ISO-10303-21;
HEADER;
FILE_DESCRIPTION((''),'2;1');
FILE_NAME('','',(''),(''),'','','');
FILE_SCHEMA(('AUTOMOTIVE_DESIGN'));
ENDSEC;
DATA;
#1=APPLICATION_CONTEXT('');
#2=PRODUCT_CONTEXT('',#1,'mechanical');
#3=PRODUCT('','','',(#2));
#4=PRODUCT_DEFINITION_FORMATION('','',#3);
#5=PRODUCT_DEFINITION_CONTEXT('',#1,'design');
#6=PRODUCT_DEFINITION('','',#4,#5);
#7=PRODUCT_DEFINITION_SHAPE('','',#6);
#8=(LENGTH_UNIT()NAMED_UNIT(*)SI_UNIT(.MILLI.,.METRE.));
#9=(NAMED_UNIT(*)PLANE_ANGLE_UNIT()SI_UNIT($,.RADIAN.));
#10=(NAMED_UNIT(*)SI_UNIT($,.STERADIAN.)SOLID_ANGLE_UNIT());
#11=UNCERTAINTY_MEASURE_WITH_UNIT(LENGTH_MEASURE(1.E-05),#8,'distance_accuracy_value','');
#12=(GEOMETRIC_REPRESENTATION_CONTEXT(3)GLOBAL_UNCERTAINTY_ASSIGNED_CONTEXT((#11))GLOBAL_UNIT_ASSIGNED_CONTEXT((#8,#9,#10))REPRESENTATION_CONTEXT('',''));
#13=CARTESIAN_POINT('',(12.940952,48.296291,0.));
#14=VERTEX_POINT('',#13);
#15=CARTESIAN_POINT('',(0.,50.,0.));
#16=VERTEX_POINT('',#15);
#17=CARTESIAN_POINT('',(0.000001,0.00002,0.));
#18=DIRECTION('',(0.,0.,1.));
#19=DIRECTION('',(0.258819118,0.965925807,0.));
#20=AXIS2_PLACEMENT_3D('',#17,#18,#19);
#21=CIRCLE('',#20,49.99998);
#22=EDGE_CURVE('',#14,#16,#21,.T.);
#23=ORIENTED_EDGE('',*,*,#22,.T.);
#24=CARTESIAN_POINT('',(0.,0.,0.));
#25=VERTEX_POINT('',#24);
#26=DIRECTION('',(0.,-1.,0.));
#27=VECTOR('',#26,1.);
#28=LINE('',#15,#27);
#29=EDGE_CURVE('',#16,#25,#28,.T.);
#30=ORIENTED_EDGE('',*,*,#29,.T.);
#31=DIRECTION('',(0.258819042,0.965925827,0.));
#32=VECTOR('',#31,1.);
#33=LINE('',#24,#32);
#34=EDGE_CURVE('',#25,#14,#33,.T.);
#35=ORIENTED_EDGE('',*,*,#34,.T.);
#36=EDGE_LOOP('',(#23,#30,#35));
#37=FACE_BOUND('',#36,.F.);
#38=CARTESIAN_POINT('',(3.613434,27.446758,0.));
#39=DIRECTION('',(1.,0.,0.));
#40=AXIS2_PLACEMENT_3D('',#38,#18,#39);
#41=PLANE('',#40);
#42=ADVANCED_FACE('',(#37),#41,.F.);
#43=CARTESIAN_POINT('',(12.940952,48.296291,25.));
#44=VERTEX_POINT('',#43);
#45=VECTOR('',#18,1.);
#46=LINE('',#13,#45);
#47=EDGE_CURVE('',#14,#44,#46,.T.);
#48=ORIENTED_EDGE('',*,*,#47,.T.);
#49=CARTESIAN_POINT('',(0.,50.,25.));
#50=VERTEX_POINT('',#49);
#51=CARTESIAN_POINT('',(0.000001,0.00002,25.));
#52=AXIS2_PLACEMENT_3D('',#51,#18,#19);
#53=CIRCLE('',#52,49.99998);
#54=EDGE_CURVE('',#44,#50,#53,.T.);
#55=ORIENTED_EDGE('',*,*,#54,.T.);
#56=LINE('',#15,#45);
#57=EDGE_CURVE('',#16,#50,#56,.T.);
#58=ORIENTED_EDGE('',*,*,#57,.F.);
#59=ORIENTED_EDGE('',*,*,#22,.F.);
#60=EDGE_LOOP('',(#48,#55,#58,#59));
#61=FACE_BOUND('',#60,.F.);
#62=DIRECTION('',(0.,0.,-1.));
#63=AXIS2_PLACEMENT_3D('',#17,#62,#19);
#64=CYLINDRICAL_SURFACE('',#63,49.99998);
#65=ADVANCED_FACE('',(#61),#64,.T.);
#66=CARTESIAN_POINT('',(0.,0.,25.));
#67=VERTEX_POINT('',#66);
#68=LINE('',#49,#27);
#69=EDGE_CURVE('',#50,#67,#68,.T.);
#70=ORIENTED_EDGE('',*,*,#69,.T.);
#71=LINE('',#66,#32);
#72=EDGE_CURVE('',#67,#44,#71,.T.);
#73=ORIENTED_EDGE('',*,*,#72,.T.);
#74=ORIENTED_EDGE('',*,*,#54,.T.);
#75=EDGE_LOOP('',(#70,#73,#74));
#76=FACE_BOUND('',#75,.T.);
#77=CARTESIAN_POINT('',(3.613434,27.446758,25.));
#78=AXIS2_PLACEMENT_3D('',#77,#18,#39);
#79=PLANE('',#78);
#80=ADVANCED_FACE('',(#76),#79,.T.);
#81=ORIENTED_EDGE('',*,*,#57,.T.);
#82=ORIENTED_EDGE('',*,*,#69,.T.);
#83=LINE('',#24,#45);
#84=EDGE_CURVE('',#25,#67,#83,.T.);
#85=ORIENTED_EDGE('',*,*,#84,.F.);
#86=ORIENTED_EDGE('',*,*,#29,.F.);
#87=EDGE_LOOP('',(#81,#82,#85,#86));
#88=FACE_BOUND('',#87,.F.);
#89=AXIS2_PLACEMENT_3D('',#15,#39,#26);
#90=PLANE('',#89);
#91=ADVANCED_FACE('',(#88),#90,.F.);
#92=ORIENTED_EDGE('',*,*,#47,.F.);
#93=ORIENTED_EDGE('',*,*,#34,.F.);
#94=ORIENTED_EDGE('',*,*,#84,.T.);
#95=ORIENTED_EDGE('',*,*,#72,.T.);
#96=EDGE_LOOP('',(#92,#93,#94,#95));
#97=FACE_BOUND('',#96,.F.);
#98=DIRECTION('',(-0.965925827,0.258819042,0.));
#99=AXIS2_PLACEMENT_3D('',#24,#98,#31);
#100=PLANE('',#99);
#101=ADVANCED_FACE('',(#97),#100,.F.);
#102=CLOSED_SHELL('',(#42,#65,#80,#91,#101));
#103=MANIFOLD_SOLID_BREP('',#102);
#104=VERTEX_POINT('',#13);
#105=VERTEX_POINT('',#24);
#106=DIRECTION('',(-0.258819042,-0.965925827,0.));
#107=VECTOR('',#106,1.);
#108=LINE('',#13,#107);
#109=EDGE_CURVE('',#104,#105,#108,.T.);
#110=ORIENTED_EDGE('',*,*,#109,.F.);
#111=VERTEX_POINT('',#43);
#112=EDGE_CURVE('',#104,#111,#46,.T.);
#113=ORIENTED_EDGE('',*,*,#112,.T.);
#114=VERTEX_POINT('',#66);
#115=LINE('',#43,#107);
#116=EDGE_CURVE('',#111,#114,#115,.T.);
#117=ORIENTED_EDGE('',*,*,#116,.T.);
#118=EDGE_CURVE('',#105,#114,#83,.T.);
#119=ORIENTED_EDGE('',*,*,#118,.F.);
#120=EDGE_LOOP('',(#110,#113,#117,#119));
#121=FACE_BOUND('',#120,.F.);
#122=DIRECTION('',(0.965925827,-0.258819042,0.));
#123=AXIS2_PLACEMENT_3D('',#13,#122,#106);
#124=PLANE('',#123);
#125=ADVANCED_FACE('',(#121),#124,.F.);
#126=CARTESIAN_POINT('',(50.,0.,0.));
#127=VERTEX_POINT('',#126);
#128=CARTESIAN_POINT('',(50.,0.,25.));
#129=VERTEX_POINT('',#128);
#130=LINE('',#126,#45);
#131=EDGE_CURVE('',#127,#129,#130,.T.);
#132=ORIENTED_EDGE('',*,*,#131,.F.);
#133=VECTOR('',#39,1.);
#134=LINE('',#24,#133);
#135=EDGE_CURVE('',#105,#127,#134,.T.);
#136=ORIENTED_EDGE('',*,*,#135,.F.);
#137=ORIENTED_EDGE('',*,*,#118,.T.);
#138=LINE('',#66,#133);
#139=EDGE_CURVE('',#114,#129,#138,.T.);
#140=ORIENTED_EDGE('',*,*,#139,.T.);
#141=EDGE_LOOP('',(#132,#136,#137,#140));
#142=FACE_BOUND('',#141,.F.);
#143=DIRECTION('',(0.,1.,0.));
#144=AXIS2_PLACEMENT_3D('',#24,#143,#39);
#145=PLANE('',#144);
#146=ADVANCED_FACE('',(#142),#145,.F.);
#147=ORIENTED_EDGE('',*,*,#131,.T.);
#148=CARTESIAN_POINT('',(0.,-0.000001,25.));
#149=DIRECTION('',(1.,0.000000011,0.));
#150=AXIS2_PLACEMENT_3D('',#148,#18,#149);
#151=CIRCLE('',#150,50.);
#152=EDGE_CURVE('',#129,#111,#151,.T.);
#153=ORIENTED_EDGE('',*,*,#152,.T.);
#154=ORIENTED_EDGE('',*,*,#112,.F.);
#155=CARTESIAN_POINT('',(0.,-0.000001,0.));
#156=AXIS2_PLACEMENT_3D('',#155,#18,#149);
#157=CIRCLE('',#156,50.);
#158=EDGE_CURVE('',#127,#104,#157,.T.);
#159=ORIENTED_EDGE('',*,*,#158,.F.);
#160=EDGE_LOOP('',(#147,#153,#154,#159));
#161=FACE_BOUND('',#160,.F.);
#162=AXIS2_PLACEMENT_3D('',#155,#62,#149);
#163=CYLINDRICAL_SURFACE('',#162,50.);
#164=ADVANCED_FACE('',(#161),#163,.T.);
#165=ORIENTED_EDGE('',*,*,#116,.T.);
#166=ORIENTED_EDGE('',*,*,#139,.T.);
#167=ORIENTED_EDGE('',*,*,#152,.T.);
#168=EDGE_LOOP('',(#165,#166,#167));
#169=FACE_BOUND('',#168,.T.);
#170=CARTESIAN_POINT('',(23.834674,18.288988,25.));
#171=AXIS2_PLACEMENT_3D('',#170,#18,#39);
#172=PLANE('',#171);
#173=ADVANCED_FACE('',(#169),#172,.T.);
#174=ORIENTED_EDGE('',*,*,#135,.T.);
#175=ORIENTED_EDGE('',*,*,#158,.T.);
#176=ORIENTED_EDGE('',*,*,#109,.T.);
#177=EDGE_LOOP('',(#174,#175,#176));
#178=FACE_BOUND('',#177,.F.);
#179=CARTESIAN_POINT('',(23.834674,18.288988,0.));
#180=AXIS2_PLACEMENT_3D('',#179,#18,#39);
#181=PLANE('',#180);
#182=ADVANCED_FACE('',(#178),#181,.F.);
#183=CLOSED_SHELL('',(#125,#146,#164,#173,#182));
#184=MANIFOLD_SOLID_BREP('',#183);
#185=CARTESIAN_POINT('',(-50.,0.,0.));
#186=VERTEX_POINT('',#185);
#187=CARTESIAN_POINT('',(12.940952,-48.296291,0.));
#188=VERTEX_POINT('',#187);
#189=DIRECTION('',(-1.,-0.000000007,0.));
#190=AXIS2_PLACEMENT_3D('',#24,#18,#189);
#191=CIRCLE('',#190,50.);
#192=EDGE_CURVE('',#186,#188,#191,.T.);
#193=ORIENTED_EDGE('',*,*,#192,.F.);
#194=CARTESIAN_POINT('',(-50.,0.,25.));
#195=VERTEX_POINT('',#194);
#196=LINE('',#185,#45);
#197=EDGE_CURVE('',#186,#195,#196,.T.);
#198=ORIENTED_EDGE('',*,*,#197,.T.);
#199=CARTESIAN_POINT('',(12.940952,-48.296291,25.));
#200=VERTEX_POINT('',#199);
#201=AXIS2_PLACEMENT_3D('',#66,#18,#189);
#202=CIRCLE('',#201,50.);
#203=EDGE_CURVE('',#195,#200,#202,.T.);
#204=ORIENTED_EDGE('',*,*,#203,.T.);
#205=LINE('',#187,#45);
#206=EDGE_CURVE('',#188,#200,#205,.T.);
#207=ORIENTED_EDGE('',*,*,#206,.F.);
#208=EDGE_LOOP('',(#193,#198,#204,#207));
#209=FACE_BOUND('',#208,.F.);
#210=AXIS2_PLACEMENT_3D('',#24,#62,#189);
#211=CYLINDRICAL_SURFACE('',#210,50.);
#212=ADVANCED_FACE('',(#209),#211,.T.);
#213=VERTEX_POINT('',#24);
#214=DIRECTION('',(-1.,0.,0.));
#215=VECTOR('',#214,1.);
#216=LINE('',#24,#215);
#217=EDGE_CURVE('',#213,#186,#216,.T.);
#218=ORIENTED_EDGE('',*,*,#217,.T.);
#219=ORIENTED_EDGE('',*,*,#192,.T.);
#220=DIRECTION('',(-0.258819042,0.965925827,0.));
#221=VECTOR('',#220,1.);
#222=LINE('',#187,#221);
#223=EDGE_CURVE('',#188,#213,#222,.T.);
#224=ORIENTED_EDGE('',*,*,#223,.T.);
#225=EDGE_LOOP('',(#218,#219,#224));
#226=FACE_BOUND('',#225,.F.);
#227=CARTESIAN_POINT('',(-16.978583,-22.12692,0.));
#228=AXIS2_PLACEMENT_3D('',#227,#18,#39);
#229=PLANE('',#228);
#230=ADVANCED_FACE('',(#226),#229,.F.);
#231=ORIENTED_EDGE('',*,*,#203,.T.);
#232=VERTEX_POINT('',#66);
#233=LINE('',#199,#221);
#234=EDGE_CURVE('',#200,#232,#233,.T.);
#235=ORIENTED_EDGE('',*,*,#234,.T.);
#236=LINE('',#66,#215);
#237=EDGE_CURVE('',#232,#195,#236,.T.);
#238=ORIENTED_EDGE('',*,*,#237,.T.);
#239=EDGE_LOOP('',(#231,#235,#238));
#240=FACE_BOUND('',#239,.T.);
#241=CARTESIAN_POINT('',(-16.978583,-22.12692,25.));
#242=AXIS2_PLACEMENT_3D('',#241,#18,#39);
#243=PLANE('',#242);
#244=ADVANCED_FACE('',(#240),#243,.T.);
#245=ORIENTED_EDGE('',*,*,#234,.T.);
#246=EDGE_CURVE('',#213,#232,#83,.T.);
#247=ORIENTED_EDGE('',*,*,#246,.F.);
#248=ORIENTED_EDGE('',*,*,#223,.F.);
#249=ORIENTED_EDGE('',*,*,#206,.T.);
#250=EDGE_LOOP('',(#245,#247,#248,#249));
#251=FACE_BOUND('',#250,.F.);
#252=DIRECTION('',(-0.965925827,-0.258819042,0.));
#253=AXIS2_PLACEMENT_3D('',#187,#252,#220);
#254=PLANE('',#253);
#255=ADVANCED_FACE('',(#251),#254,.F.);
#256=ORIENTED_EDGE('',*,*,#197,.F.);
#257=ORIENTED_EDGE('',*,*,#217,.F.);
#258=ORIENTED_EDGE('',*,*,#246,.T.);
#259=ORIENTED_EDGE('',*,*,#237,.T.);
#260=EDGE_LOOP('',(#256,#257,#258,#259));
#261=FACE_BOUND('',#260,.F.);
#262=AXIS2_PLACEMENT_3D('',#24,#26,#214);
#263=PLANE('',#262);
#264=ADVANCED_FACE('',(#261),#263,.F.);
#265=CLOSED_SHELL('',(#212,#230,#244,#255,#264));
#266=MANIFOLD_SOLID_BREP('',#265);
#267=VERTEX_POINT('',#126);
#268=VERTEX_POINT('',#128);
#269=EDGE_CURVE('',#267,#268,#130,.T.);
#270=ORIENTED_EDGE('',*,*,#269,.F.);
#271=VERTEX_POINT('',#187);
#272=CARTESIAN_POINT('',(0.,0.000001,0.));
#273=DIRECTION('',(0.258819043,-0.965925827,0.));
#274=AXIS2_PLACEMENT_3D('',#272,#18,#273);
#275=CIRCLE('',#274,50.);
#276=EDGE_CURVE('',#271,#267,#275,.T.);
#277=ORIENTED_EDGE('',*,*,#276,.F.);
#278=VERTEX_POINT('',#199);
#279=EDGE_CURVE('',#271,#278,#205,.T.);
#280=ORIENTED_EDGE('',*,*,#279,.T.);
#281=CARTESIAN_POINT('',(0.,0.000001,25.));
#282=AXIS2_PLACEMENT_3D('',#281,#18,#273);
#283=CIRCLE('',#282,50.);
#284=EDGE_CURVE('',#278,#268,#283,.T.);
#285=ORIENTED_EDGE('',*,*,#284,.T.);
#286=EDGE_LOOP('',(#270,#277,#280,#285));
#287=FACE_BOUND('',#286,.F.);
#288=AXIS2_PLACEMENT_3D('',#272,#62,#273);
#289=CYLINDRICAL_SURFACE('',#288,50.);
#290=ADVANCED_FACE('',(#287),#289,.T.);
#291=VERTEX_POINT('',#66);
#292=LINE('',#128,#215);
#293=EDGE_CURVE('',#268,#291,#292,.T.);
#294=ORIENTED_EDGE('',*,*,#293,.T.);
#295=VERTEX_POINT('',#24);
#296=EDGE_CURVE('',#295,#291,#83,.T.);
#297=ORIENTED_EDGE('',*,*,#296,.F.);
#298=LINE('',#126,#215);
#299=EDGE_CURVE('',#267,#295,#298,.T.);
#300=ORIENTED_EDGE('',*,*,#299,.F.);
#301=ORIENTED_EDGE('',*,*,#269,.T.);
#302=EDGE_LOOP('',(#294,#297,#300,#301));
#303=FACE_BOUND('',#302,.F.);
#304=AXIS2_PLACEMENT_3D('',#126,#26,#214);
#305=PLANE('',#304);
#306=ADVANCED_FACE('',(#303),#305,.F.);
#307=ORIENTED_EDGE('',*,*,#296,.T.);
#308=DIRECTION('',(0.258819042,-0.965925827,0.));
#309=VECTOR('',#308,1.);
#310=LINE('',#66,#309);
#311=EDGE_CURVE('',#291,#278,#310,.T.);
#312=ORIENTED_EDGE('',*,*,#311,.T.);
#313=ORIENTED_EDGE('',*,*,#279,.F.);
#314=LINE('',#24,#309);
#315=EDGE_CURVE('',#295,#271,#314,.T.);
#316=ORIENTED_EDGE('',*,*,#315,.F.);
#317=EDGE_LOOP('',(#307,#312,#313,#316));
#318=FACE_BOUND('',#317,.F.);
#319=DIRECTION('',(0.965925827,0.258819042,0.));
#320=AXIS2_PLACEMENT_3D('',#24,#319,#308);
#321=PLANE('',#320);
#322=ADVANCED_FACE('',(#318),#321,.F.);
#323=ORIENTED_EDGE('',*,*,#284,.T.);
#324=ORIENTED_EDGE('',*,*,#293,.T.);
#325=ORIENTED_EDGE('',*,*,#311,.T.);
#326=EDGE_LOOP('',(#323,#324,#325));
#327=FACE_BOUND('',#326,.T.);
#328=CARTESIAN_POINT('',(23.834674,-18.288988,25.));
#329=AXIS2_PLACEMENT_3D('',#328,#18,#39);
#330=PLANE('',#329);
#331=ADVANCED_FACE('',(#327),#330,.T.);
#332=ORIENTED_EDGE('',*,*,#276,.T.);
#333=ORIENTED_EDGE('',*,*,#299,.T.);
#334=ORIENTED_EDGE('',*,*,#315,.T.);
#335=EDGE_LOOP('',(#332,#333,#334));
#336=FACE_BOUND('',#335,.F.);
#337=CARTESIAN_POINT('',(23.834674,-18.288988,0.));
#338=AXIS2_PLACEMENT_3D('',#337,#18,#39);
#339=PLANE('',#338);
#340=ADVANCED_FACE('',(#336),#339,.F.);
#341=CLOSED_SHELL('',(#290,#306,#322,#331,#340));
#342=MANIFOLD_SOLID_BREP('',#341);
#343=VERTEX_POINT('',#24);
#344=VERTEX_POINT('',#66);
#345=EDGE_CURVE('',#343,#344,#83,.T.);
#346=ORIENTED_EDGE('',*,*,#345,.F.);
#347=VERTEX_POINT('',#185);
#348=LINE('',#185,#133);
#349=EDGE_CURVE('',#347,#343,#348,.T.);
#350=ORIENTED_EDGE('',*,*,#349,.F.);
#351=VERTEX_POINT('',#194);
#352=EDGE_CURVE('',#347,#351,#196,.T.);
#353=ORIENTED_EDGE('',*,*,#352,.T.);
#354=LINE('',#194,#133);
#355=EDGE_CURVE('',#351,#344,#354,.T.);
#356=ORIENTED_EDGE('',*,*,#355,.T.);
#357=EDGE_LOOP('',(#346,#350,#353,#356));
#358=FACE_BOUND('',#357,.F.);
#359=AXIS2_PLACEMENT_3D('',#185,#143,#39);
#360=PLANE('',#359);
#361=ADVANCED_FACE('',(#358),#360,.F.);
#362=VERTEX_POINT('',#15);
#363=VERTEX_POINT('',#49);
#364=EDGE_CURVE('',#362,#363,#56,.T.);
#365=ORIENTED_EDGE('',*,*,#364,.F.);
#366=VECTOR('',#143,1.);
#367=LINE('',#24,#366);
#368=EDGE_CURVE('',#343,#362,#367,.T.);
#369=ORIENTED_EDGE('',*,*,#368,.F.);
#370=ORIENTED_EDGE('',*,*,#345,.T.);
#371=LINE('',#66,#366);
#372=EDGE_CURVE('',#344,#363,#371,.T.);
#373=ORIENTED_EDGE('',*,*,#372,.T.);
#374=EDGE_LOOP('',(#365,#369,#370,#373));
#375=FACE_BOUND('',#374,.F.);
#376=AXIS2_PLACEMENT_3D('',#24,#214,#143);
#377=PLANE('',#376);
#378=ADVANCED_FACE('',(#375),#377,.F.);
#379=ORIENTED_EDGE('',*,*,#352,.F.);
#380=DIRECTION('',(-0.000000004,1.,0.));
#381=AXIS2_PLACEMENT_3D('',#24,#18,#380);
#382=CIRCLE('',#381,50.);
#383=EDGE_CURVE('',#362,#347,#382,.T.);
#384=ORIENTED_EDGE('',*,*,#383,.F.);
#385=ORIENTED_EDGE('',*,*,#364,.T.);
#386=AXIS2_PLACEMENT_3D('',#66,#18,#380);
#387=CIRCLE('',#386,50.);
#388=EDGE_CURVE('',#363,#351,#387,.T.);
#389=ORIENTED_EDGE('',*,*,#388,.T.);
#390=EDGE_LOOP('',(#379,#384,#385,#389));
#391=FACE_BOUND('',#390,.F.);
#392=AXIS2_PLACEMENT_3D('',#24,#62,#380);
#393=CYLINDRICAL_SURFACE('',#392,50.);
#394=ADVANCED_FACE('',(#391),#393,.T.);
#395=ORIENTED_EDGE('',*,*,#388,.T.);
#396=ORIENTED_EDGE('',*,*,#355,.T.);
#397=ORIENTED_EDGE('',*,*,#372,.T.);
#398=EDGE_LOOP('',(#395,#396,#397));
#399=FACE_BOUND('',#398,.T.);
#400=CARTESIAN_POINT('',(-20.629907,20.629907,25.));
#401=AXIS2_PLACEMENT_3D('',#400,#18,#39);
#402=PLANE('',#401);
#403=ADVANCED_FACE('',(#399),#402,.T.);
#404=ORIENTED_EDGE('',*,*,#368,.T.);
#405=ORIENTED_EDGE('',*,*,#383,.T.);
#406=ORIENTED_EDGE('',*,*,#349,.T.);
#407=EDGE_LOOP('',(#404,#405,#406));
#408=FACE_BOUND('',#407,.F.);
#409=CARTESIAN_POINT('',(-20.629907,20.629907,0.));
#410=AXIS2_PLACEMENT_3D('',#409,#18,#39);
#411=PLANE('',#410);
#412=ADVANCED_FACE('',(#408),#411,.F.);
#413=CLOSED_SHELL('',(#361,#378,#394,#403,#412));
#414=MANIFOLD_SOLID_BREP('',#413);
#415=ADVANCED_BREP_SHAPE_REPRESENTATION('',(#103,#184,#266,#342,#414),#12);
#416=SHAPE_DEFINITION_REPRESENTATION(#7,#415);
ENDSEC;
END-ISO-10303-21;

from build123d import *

# Parameters (mm, degrees)
F1_DEPTH = 25
F2_DEPTH = 25
F3_DEPTH = 25


with BuildPart() as f1:
    # F0 (on Top) → F1 (new body)
    with BuildSketch(Plane.XY):
        with BuildLine():
            Line((0, 0), (12.940952, 48.296291))
            ThreePointArc((12.940952, 48.296291), (6.52631, 49.572243), (0, 50))
            Line((0, 50), (0, 0))
        make_face()
        with BuildLine():
            ThreePointArc((12.940952, -48.296291), (39.667667, -30.438071), (50, 0))
            Line((50, 0), (0, 0))
            Line((0, 0), (12.940952, -48.296291))
        make_face()
    extrude(amount=F1_DEPTH)


with BuildPart() as f2:
    # F0 (on Top) → F2 (new body)
    with BuildSketch(Plane.XY):
        with BuildLine():
            Line((0, 0), (50, 0))
            ThreePointArc((50, 0), (39.667667, 30.438071), (12.940952, 48.296291))
            Line((12.940952, 48.296291), (0, 0))
        make_face()
        with BuildLine():
            ThreePointArc((-50, 0), (-30.438071, -39.667667), (12.940952, -48.296291))
            Line((12.940952, -48.296291), (0, 0))
            Line((0, 0), (-50, 0))
        make_face()
    extrude(amount=F2_DEPTH)


with BuildPart() as f3:
    # F0 (on Top) → F3 (new body)
    with BuildSketch(Plane.XY):
        with BuildLine():
            Line((-50, 0), (0, 0))
            Line((0, 0), (0, 50))
            ThreePointArc((0, 50), (-35.355339, 35.355339), (-50, 0))
        make_face()
    extrude(amount=F3_DEPTH)


solid = Compound([f1.part, f2.part, f3.part])
